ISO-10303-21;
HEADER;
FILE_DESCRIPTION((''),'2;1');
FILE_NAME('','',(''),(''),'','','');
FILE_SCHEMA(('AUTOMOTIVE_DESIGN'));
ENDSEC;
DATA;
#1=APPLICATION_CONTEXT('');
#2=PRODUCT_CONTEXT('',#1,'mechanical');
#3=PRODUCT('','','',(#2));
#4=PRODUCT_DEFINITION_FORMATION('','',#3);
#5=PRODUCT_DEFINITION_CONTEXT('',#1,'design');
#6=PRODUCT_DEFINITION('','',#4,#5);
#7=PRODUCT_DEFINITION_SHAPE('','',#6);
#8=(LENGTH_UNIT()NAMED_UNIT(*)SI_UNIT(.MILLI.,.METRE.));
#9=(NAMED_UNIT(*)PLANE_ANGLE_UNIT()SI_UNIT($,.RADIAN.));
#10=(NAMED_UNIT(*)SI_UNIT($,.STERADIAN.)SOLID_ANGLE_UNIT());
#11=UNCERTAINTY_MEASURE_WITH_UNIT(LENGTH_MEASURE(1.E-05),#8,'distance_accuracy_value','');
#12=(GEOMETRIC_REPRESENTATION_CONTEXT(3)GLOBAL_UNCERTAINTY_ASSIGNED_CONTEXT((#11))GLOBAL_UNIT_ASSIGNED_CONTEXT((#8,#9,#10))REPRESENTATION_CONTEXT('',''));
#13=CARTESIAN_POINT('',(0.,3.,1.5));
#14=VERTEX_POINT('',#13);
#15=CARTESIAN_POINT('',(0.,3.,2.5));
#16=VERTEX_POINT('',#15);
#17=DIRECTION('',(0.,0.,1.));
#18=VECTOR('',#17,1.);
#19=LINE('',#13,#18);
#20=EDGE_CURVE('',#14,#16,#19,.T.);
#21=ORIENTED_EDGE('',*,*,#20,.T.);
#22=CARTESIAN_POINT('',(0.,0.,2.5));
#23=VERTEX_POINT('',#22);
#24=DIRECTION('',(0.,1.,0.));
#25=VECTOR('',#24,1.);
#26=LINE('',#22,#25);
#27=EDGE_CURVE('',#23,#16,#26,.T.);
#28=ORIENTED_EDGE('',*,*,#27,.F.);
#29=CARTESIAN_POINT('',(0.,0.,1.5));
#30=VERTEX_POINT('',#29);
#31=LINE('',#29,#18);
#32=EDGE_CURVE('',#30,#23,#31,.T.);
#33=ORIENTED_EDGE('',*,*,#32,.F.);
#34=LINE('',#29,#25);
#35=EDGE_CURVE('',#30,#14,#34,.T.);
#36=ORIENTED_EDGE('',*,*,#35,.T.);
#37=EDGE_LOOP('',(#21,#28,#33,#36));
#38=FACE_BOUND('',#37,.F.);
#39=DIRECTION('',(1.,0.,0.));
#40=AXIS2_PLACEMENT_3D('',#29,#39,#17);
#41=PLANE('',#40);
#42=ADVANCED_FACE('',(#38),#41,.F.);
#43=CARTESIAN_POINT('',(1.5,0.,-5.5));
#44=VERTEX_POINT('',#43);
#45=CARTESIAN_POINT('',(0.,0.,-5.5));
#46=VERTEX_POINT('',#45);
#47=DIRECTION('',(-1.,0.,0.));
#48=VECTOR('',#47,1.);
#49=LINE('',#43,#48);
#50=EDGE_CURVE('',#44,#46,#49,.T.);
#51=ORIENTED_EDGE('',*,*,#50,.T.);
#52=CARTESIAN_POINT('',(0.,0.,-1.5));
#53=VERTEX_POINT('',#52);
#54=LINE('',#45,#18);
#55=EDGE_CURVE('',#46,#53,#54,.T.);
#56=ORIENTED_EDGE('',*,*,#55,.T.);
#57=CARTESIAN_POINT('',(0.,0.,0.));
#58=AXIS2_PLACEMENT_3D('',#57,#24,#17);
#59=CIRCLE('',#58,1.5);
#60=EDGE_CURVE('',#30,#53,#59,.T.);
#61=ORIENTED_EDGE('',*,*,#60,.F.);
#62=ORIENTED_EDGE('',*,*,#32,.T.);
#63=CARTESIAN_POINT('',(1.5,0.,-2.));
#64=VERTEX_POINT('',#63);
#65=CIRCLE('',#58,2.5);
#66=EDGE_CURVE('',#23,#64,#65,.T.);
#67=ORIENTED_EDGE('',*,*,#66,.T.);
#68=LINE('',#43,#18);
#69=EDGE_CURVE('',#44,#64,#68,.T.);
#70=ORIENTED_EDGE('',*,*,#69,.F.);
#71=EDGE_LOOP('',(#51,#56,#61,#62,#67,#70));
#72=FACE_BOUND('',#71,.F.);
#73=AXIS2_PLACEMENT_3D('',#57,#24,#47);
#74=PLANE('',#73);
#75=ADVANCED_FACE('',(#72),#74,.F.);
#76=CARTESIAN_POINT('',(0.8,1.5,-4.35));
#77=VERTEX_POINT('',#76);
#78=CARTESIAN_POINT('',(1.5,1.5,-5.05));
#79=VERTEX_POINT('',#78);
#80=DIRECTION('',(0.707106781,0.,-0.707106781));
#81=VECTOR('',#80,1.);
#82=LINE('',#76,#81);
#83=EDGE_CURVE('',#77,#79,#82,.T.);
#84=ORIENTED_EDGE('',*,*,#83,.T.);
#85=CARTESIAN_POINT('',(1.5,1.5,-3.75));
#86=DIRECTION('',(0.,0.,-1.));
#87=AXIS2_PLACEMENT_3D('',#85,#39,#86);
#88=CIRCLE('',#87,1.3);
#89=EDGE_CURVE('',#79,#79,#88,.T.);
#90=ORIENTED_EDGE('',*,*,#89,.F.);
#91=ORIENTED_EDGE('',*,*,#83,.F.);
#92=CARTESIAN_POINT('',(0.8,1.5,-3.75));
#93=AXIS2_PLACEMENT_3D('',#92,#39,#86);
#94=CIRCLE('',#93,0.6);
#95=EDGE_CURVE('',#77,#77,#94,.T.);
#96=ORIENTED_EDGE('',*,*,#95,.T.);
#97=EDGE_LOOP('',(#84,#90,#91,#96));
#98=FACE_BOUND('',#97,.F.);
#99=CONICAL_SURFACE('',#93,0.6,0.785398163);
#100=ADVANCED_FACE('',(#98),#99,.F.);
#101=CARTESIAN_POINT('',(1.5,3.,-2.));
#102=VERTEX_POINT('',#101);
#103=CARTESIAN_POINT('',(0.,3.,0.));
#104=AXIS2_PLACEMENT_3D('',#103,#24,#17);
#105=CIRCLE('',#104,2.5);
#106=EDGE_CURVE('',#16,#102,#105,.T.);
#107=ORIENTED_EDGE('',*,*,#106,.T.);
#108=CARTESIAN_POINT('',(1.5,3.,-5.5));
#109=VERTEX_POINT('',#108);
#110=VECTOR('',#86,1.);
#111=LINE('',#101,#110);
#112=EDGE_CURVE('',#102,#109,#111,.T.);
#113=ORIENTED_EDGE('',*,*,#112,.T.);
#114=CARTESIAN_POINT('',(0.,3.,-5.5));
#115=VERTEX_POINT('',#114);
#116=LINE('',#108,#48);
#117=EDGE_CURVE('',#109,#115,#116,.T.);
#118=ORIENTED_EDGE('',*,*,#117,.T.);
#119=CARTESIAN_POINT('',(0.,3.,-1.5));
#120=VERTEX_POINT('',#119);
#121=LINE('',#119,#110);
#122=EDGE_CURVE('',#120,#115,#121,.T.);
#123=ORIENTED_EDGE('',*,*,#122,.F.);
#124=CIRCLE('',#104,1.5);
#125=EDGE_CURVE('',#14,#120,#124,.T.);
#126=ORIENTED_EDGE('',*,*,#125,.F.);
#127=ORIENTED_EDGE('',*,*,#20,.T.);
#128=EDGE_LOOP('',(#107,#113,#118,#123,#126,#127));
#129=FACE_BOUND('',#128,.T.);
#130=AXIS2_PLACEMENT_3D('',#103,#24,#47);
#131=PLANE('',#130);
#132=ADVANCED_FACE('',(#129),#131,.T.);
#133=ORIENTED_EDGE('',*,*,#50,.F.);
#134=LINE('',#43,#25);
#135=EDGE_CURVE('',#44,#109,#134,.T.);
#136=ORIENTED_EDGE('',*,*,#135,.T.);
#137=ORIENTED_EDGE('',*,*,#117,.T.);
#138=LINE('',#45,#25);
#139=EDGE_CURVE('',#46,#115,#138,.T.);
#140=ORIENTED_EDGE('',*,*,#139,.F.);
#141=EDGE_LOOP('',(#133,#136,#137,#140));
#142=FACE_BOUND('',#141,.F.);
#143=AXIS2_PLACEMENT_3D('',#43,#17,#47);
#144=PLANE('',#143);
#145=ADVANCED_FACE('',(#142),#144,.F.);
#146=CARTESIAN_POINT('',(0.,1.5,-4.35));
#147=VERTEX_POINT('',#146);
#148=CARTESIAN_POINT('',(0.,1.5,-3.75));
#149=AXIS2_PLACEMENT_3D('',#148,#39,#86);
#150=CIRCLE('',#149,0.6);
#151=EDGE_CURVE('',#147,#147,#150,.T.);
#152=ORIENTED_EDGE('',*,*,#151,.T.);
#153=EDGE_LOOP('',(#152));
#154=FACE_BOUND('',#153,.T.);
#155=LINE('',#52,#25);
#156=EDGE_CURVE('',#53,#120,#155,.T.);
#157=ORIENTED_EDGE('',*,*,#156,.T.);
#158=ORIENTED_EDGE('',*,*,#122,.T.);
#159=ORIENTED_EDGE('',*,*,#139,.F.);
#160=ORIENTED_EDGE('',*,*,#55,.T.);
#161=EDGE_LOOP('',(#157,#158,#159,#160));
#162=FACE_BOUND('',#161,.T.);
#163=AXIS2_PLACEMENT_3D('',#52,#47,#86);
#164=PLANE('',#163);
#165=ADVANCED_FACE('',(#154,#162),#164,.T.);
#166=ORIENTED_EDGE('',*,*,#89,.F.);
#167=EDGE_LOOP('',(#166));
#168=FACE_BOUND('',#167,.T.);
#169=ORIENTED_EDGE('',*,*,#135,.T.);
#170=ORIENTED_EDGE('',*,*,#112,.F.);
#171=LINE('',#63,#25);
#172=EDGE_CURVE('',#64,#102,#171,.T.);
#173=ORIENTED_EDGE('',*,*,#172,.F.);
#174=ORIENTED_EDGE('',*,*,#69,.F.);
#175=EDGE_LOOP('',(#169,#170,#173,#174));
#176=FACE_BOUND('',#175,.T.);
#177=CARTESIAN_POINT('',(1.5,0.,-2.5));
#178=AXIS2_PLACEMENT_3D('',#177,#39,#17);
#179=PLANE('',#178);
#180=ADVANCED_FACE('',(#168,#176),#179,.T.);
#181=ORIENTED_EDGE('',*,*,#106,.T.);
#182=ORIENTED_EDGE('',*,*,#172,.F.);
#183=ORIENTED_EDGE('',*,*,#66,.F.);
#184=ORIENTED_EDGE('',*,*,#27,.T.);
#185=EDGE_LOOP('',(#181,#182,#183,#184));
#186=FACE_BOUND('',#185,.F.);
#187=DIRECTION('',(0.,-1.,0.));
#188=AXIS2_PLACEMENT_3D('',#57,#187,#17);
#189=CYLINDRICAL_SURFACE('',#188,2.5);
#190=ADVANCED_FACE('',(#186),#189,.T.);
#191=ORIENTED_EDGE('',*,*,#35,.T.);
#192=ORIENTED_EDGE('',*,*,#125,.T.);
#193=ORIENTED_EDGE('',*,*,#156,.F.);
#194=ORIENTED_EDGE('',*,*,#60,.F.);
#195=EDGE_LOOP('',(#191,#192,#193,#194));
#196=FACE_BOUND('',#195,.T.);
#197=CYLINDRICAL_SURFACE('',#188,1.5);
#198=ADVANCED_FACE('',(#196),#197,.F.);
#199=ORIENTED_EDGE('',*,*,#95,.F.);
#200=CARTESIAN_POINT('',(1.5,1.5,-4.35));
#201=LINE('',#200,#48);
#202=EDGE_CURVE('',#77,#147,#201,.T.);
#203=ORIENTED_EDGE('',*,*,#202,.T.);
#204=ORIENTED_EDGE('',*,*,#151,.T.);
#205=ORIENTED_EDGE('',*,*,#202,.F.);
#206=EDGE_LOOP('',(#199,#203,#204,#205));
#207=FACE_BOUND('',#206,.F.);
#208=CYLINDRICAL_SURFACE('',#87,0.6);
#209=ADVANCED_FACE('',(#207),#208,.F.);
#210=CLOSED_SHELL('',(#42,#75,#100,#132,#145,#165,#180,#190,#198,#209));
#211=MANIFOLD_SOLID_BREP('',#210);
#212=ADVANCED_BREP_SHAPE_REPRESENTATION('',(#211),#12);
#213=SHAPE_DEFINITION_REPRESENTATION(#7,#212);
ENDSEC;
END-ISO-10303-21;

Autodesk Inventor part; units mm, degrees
ref_plane "YZ Plane" through (0, 0, 0) normal (1, 0, 0) x (0, 1, 0)
ref_plane "XZ Plane" through (0, 0, 0) normal (0, 1, 0) x (-1, 0, 0)
ref_plane "XY Plane" through (0, 0, 0) normal (0, 0, 1) x (1, 0, 0)
sketch "Sketch1" plane through (0, 0, 0) normal (0, 1, 0) x (-1, 0, 0)
  arc A0 (0, 1.5) -> (0, -1.5) centre (0, 0) ccw
  line L0 (0, 1.5) -> (0, 2.5)
  arc A1 (0, 2.5) -> (0, -2.5) centre (0, 0) ccw
  line L1 (0, -1.5) -> (0, -2.5)
  line L2 (0, -2.5) -> (-1.5, -2.5)
  line L3 (-1.5, -2.5) -> (-1.5, -5.5)
  line L4 (-1.5, -5.5) -> (0, -5.5)
  line L5 (0, -5.5) -> (0, -2.5)
  line L6 (-1.5, -2.5) -> (-1.5, -2)
  dimension "d0" = 1.5
  dimension "d1" = 1
  dimension "d2" = 1.5
  dimension "d3" = 3
extrude "Extrusion1" add sketch "Sketch1" along normal blind 3
sketch "Sketch2" plane through (1.5, 0, -2) normal (1, 0, 0) x (0, 0, -1)
  line L0 (0, 3) -> (3.5, 3) projected
  line L1 (1.75, 3) -> (1.75, 0) construction
  line L2 (3.5, 0) -> (3.5, 3) projected
  line L3 (3.5, 1.5) -> (1.75, 1.5) construction
  circle A0 centre (1.75, 1.5) radius 0.6
  point P0 (-2, 0)
  dimension "d6" = 1.2
extrude "Extrusion2" cut sketch "Sketch2" against normal blind 3
chamfer "Chamfer1" distance 0.7 angle 45 1 edges at (1.5, 1.5, -3.15)
properties part number "miniWiresHolder"
